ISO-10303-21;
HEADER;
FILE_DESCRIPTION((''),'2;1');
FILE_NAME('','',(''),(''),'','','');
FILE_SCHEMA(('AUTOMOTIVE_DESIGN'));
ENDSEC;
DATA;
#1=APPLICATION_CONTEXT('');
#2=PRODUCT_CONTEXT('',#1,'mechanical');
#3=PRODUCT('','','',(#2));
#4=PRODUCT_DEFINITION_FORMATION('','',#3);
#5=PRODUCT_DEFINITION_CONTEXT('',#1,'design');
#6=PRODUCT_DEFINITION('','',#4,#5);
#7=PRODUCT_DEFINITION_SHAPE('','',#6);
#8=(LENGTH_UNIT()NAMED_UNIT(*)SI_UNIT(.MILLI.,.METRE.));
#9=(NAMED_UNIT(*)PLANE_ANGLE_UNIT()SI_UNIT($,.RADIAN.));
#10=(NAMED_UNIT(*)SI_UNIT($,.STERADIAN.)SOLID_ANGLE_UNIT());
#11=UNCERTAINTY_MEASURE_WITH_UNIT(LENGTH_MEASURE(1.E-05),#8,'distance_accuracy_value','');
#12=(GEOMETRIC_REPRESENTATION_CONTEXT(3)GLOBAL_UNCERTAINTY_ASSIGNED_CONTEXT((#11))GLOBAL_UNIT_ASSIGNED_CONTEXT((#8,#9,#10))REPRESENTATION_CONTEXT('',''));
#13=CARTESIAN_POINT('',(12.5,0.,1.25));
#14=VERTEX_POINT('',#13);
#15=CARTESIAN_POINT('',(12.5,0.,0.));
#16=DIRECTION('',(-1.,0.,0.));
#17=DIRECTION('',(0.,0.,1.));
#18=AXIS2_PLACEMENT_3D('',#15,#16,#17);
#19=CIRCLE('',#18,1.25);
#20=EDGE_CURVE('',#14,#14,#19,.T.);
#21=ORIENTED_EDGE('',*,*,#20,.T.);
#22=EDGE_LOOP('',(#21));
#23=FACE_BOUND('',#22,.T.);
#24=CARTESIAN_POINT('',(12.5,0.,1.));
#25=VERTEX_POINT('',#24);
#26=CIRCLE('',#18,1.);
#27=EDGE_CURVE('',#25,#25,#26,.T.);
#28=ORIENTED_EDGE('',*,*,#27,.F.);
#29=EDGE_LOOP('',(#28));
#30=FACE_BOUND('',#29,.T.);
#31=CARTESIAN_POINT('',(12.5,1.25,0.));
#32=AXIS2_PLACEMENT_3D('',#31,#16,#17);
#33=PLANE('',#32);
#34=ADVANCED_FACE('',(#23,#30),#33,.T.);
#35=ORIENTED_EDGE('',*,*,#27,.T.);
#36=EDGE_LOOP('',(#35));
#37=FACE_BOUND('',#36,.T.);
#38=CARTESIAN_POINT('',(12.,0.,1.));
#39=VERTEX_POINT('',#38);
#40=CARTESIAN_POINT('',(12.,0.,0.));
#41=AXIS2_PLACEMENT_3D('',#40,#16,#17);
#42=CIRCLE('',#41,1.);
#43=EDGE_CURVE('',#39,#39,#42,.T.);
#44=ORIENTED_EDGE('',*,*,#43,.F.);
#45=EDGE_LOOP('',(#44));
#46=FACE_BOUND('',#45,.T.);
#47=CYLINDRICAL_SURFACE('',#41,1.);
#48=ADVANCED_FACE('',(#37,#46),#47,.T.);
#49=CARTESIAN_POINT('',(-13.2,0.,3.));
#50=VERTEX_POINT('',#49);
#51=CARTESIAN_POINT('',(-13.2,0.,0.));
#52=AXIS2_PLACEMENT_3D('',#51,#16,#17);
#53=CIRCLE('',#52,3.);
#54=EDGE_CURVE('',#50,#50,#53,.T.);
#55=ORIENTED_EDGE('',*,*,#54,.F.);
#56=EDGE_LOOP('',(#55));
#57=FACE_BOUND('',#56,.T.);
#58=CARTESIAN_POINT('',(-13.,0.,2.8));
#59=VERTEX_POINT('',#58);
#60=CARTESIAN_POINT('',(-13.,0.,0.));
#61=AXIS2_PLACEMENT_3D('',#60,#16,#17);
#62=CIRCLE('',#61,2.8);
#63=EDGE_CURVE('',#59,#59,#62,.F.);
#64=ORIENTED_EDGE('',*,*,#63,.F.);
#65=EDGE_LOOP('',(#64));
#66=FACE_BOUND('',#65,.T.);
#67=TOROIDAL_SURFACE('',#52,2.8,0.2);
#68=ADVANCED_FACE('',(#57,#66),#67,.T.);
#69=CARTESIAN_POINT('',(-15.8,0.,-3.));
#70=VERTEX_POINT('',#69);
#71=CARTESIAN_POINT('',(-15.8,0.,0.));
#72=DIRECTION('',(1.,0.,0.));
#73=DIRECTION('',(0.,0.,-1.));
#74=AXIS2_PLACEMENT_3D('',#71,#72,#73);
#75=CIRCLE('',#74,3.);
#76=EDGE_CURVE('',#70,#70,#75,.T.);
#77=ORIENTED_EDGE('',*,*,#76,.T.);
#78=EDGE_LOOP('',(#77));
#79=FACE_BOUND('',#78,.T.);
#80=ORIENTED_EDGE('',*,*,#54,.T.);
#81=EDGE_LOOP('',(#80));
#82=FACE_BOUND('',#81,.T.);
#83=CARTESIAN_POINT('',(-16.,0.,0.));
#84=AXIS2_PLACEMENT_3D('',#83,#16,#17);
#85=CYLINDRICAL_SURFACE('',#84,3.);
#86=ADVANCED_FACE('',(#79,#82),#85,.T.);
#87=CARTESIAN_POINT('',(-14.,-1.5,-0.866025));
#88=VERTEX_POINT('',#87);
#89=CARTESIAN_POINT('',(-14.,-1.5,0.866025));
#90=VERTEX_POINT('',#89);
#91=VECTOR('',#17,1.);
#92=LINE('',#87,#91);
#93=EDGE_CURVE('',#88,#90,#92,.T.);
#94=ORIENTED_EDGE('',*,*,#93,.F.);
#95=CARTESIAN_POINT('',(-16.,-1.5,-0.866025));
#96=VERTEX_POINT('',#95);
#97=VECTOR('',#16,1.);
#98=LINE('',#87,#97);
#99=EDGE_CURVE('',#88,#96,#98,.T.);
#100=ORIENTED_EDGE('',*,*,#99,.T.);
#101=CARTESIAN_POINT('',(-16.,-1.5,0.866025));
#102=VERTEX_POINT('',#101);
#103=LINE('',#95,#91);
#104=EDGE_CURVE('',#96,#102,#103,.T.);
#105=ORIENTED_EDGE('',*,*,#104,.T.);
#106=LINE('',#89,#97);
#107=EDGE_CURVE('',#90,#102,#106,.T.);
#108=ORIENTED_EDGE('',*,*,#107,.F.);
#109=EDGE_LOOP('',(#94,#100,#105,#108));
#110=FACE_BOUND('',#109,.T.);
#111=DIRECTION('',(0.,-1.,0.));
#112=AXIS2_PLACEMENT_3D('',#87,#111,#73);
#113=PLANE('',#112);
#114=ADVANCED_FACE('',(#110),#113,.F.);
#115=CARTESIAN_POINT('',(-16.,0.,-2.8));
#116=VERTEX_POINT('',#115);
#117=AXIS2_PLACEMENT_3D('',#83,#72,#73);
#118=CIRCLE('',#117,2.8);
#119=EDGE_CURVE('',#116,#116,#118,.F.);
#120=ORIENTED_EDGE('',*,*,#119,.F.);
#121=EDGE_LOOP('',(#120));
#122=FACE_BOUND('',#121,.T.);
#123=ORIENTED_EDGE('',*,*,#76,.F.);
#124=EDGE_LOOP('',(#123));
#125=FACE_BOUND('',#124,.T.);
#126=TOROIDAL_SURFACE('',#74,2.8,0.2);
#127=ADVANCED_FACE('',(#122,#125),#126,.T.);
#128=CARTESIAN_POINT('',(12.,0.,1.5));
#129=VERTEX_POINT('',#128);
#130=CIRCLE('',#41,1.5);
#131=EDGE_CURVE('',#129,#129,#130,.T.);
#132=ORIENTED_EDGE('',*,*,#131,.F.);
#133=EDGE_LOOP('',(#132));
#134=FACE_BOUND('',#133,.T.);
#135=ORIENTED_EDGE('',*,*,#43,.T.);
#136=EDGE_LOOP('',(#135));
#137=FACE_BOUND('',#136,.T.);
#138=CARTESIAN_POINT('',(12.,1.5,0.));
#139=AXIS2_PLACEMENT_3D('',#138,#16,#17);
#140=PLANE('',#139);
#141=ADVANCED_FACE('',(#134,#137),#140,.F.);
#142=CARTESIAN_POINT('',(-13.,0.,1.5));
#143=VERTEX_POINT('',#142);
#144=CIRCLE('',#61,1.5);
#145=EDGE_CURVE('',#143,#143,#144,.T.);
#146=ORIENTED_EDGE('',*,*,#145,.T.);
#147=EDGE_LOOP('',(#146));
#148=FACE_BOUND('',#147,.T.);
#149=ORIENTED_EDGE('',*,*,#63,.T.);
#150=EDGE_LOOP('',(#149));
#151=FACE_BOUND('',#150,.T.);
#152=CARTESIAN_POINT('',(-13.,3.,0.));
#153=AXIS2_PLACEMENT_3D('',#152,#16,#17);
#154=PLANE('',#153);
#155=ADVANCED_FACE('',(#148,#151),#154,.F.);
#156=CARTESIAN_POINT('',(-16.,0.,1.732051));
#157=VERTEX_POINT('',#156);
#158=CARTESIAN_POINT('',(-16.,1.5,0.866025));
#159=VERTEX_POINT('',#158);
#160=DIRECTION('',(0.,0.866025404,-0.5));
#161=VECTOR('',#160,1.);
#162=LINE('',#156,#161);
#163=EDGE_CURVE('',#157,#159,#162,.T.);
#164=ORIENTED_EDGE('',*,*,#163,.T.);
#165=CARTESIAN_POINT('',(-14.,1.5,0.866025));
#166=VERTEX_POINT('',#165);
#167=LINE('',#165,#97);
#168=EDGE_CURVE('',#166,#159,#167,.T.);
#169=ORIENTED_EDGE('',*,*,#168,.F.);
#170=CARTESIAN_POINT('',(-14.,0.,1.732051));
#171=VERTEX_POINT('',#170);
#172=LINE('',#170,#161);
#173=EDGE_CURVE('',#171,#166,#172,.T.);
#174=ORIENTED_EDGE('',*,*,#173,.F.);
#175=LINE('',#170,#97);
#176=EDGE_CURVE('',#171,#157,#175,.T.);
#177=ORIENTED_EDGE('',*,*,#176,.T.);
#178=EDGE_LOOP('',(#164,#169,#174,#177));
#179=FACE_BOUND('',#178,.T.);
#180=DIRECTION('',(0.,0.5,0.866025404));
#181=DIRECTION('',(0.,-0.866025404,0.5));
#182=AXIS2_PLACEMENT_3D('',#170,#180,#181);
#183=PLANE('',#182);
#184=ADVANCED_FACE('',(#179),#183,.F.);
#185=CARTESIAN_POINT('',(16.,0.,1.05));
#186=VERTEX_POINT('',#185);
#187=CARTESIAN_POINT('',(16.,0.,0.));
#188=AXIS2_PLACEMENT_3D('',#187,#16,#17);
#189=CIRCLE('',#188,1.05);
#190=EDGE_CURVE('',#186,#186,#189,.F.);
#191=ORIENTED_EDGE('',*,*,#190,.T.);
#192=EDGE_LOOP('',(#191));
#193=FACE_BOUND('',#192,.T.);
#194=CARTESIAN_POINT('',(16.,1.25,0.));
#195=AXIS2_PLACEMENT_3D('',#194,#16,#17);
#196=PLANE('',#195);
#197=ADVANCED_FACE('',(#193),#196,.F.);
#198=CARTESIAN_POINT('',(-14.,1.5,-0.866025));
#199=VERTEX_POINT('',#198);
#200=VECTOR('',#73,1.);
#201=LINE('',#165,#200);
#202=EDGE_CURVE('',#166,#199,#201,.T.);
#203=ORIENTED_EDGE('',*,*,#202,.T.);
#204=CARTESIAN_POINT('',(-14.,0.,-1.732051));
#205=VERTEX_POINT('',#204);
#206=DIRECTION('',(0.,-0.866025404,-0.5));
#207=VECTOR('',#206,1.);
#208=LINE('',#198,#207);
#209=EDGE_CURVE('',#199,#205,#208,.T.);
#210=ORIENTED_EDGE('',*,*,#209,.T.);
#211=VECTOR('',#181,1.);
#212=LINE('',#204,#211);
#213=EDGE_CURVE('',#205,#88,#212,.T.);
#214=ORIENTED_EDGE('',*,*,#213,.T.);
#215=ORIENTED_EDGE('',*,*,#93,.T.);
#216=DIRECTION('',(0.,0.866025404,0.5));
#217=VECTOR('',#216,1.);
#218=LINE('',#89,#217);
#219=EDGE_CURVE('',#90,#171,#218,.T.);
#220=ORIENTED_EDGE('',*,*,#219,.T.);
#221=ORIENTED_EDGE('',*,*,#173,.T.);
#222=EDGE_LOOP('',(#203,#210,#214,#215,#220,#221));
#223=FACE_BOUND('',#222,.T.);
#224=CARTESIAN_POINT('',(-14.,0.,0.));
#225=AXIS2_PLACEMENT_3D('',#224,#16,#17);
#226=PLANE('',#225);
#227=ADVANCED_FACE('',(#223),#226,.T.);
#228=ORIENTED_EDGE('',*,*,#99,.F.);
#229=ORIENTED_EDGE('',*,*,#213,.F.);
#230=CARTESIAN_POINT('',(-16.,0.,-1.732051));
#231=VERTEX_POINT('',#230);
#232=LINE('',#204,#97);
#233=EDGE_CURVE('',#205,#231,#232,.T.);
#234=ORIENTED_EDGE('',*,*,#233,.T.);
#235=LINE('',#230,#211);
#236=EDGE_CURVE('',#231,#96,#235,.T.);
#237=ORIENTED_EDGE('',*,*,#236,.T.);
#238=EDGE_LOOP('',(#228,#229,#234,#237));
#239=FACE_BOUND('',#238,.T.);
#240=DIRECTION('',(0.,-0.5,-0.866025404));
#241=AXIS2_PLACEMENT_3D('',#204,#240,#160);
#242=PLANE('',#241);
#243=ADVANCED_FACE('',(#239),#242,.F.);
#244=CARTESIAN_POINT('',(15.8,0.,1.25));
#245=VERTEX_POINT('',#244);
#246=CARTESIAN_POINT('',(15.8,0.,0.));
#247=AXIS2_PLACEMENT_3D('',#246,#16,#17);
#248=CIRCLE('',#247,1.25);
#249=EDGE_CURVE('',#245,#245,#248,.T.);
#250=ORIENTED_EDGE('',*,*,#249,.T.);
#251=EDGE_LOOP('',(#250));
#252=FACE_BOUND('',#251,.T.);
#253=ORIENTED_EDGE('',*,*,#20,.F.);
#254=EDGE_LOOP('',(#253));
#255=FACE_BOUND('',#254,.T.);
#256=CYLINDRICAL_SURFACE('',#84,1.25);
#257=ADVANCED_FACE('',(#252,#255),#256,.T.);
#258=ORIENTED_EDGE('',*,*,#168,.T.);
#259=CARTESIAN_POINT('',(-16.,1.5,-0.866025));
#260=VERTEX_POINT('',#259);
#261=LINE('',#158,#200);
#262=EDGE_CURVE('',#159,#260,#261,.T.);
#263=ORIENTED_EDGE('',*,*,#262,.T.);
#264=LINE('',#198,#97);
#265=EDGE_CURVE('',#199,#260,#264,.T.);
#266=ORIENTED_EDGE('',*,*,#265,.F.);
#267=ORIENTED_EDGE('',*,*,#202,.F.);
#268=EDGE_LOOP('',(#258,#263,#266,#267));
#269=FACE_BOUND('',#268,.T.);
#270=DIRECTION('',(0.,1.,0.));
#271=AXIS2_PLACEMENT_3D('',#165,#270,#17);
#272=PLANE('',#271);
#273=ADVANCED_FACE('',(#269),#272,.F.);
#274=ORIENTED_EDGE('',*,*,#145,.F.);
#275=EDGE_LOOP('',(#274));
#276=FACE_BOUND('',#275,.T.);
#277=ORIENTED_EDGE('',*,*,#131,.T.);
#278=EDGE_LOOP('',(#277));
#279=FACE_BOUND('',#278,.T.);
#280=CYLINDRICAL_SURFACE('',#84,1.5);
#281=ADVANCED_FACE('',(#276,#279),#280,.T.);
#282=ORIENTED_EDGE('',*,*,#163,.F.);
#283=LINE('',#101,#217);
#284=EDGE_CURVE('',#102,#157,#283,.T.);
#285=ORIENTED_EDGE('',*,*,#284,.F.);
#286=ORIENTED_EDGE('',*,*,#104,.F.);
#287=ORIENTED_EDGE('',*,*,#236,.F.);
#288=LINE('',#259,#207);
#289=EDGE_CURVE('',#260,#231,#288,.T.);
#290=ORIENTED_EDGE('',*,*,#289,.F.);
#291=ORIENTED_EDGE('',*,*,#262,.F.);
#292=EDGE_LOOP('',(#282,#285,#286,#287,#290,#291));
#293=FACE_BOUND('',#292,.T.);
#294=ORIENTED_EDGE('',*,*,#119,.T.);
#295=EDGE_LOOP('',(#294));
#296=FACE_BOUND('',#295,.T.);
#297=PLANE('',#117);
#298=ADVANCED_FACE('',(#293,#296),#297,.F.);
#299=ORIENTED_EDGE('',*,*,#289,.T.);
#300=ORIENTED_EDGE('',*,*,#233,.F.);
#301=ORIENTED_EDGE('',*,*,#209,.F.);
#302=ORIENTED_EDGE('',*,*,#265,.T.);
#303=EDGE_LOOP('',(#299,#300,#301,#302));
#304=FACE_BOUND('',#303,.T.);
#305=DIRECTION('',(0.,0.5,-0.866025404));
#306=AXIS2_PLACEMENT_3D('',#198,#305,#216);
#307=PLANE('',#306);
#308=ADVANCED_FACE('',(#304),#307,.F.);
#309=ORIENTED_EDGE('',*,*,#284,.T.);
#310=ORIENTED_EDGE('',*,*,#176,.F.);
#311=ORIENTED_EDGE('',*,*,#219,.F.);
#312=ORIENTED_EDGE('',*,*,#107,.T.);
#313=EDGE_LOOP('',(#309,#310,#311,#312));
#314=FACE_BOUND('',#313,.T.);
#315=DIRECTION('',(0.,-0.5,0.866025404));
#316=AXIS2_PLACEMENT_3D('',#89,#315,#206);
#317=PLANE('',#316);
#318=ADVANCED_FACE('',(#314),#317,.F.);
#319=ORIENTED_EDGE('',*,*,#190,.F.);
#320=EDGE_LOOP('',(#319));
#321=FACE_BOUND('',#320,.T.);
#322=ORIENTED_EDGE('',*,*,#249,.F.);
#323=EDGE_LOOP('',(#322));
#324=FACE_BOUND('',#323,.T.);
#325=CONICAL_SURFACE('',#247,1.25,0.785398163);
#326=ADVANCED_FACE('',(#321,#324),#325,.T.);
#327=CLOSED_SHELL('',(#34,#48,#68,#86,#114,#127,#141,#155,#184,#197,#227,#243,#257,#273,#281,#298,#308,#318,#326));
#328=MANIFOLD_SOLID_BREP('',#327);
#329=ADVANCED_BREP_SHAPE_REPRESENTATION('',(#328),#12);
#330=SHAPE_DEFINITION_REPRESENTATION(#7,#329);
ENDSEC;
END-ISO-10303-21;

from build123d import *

# Parameters (mm, degrees)
FILLET_1_R          = 0.2
CHAMFER_1_SIZE      = 0.2
SKETCH_3_W          = 0.5
SKETCH_3_H          = 0.25
CUT_EXTRUDE_1_DEPTH = 2


with BuildPart() as part:
    # 草图1 → 旋转1 (revolve)
    with BuildSketch(Plane.XY, mode=Mode.PRIVATE) as revolve_1_sk:
        Polygon((-16, 0), (-16, 3), (-13, 3), (-13, 1.5), (12, 1.5), (12, 1.25), (16, 1.25), (16, 0), align=None)
    revolve(revolve_1_sk.sketch.rotate(Axis((-16, 0, 0), (1, 0, 0)), 90), axis=Axis((-16, 0, 0), (1, 0, 0)))

    # 圆角1
    fillet_1_edges = [part.edges().sort_by_distance(p)[0] for p in [
        (-13, 0, -3),
        (-16, 0, -3),
    ]]
    fillet(fillet_1_edges, radius=FILLET_1_R)

    # 倒角1
    chamfer_1_edges = [part.edges().sort_by_distance(p)[0] for p in [
        (16, 0, -1.25),
    ]]
    chamfer(chamfer_1_edges, length=CHAMFER_1_SIZE)

    # 草图3 → 切除-旋转1 (revolve, cut)
    with BuildSketch(Plane.XY, mode=Mode.PRIVATE) as cut_revolve_1_sk:
        with Locations((12.25, 1.125)):
            Rectangle(SKETCH_3_W, SKETCH_3_H)
    revolve(cut_revolve_1_sk.sketch.rotate(Axis((12, 0, 0), (1, 0, 0)), 90), axis=Axis((12, 0, 0), (1, 0, 0)), mode=Mode.SUBTRACT)

    # 草图4 → 切除-拉伸1 (cut)
    with BuildSketch(Plane.ZY.offset(16)):
        Polygon((1.732050808, 0), (0.866025404, 1.5), (-0.866025404, 1.5), (-1.732050808, 0), (-0.866025404, -1.5), (0.866025404, -1.5), align=None)
    extrude(amount=-CUT_EXTRUDE_1_DEPTH, mode=Mode.SUBTRACT)


solid = part.part
